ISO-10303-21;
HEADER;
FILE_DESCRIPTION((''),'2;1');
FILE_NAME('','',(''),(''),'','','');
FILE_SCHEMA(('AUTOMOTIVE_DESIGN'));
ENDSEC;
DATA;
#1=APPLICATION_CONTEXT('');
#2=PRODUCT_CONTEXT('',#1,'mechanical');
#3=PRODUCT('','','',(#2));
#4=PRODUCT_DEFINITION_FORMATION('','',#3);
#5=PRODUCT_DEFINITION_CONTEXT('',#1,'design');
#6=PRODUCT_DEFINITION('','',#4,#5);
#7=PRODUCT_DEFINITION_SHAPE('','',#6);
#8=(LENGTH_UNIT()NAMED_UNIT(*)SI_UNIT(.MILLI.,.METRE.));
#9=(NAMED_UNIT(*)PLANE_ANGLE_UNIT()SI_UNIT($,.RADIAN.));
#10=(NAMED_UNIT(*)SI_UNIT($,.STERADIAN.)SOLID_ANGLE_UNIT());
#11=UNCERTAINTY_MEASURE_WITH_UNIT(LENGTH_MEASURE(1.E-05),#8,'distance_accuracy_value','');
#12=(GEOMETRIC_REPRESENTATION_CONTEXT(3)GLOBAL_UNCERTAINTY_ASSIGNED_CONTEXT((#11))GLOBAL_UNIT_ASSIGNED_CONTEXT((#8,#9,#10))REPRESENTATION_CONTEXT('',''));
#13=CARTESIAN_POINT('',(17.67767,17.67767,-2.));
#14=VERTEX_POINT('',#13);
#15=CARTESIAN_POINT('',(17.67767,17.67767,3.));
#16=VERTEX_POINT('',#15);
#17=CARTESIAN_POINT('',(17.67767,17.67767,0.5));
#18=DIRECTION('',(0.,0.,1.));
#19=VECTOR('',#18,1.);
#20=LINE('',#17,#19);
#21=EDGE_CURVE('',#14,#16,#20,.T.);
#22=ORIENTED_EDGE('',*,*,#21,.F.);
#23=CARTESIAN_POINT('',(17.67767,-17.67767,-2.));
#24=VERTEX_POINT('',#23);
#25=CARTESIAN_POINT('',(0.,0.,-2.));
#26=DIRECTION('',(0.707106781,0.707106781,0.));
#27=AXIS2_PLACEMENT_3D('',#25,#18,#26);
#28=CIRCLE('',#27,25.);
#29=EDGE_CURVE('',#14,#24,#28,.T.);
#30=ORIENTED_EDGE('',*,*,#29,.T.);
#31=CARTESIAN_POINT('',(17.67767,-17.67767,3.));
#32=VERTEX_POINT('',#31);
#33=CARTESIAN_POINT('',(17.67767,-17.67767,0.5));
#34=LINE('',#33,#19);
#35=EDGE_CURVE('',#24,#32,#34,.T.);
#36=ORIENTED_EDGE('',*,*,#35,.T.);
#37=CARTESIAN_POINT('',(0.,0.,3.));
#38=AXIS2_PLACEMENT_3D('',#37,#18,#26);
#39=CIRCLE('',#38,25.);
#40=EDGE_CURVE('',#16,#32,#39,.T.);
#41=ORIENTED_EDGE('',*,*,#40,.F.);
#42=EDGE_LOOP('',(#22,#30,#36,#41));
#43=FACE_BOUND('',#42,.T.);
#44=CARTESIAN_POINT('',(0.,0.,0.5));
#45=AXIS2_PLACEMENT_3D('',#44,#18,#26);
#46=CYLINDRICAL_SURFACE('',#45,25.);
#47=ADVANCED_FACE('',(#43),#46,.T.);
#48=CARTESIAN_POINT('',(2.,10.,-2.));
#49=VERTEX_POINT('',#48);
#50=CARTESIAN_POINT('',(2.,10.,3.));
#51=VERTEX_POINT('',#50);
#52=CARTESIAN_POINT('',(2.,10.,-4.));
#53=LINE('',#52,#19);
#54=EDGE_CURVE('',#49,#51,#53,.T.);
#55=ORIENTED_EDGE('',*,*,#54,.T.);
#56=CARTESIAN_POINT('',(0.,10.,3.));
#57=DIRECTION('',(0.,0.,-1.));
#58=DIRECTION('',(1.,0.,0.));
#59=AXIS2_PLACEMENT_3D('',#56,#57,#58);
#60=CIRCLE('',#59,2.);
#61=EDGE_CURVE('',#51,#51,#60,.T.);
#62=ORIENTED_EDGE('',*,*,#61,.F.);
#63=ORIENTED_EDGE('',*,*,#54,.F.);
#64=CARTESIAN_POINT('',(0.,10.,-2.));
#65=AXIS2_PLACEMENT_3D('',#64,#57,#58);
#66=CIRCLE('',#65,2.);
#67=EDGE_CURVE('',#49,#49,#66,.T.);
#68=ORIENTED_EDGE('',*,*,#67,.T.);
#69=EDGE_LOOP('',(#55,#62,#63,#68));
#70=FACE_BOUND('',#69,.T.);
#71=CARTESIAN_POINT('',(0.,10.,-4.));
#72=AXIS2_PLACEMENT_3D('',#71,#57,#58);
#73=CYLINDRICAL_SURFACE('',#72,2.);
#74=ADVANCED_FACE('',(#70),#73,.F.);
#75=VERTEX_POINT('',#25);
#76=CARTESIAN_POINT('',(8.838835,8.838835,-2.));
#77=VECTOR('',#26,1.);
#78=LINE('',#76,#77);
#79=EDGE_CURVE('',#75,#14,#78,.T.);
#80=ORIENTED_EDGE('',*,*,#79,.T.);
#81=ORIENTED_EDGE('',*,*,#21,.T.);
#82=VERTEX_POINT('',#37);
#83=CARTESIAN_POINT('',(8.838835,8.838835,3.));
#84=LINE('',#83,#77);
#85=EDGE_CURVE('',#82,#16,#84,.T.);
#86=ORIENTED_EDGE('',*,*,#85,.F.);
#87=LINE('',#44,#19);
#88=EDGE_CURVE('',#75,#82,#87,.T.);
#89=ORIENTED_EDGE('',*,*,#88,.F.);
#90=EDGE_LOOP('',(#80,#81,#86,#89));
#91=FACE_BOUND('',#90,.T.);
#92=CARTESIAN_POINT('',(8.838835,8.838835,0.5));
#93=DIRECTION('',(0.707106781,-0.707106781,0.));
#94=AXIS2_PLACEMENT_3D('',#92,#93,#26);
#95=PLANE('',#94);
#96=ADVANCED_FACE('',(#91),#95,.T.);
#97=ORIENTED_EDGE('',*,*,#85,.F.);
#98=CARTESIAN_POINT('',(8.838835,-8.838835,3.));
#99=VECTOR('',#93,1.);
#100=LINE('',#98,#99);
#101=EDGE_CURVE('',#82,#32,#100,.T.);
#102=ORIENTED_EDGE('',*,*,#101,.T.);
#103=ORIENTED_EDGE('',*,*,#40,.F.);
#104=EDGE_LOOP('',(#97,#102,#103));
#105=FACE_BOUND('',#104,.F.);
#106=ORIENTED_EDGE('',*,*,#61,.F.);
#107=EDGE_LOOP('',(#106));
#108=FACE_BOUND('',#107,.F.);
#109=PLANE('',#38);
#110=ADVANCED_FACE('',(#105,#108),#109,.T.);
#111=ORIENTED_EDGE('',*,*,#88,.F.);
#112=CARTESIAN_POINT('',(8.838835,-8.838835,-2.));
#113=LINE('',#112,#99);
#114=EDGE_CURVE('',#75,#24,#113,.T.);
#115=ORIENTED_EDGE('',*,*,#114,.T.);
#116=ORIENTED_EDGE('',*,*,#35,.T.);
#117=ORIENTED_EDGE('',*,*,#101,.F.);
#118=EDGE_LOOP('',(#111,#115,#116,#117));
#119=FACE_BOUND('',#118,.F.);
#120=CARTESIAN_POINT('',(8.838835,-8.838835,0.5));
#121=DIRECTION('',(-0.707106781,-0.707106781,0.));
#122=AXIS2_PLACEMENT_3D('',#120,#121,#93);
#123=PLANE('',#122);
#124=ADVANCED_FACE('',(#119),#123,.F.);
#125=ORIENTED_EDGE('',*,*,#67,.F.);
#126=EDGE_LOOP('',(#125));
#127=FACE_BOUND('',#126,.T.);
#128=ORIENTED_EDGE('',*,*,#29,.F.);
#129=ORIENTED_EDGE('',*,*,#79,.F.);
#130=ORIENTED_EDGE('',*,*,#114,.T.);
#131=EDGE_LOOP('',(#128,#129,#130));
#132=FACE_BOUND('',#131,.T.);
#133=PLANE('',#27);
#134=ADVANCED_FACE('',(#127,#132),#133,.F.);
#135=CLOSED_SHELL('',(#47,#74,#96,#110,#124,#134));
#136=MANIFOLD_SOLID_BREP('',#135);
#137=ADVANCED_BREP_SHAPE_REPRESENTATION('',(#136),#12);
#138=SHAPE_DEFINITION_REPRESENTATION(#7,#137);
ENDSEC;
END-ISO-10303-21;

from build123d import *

# Parameters (mm, degrees)
CYLINDER001_R            = 2
CYLINDER001_DEPTH        = 10
CYLINDER_W               = 25
CYLINDER_H               = 5
CYLINDER_ANGLE           = 270
CYLINDER_PLACEMENT_ANGLE = 45


with BuildPart() as cylinder001:
    # Cylinder001 → Cylinder001 (new body)
    with BuildSketch(Plane(origin=(0, 10, -4), x_dir=(1, 0, 0), z_dir=(0, 0, 1))):
        Circle(CYLINDER001_R)
    extrude(amount=CYLINDER001_DEPTH)


with BuildPart() as cut:
    # Cylinder → Cylinder (revolve)
    with BuildSketch(Plane.XZ):
        with Locations((12.5, 2.5)):
            Rectangle(CYLINDER_W, CYLINDER_H)
    revolve(axis=Axis((0, 0, 0), (0, 0, 1)), revolution_arc=CYLINDER_ANGLE)


with BuildPart() as cut_1:
    # Cylinder placement: moved
    add(cut.part.moved(Location((0, 0, -2))).rotate(Axis((0, 0, -2), (0, 0, 1)), CYLINDER_PLACEMENT_ANGLE))

    # Cut: cut Cylinder001
    add(cylinder001.part, mode=Mode.SUBTRACT)


solid = cut_1.part
